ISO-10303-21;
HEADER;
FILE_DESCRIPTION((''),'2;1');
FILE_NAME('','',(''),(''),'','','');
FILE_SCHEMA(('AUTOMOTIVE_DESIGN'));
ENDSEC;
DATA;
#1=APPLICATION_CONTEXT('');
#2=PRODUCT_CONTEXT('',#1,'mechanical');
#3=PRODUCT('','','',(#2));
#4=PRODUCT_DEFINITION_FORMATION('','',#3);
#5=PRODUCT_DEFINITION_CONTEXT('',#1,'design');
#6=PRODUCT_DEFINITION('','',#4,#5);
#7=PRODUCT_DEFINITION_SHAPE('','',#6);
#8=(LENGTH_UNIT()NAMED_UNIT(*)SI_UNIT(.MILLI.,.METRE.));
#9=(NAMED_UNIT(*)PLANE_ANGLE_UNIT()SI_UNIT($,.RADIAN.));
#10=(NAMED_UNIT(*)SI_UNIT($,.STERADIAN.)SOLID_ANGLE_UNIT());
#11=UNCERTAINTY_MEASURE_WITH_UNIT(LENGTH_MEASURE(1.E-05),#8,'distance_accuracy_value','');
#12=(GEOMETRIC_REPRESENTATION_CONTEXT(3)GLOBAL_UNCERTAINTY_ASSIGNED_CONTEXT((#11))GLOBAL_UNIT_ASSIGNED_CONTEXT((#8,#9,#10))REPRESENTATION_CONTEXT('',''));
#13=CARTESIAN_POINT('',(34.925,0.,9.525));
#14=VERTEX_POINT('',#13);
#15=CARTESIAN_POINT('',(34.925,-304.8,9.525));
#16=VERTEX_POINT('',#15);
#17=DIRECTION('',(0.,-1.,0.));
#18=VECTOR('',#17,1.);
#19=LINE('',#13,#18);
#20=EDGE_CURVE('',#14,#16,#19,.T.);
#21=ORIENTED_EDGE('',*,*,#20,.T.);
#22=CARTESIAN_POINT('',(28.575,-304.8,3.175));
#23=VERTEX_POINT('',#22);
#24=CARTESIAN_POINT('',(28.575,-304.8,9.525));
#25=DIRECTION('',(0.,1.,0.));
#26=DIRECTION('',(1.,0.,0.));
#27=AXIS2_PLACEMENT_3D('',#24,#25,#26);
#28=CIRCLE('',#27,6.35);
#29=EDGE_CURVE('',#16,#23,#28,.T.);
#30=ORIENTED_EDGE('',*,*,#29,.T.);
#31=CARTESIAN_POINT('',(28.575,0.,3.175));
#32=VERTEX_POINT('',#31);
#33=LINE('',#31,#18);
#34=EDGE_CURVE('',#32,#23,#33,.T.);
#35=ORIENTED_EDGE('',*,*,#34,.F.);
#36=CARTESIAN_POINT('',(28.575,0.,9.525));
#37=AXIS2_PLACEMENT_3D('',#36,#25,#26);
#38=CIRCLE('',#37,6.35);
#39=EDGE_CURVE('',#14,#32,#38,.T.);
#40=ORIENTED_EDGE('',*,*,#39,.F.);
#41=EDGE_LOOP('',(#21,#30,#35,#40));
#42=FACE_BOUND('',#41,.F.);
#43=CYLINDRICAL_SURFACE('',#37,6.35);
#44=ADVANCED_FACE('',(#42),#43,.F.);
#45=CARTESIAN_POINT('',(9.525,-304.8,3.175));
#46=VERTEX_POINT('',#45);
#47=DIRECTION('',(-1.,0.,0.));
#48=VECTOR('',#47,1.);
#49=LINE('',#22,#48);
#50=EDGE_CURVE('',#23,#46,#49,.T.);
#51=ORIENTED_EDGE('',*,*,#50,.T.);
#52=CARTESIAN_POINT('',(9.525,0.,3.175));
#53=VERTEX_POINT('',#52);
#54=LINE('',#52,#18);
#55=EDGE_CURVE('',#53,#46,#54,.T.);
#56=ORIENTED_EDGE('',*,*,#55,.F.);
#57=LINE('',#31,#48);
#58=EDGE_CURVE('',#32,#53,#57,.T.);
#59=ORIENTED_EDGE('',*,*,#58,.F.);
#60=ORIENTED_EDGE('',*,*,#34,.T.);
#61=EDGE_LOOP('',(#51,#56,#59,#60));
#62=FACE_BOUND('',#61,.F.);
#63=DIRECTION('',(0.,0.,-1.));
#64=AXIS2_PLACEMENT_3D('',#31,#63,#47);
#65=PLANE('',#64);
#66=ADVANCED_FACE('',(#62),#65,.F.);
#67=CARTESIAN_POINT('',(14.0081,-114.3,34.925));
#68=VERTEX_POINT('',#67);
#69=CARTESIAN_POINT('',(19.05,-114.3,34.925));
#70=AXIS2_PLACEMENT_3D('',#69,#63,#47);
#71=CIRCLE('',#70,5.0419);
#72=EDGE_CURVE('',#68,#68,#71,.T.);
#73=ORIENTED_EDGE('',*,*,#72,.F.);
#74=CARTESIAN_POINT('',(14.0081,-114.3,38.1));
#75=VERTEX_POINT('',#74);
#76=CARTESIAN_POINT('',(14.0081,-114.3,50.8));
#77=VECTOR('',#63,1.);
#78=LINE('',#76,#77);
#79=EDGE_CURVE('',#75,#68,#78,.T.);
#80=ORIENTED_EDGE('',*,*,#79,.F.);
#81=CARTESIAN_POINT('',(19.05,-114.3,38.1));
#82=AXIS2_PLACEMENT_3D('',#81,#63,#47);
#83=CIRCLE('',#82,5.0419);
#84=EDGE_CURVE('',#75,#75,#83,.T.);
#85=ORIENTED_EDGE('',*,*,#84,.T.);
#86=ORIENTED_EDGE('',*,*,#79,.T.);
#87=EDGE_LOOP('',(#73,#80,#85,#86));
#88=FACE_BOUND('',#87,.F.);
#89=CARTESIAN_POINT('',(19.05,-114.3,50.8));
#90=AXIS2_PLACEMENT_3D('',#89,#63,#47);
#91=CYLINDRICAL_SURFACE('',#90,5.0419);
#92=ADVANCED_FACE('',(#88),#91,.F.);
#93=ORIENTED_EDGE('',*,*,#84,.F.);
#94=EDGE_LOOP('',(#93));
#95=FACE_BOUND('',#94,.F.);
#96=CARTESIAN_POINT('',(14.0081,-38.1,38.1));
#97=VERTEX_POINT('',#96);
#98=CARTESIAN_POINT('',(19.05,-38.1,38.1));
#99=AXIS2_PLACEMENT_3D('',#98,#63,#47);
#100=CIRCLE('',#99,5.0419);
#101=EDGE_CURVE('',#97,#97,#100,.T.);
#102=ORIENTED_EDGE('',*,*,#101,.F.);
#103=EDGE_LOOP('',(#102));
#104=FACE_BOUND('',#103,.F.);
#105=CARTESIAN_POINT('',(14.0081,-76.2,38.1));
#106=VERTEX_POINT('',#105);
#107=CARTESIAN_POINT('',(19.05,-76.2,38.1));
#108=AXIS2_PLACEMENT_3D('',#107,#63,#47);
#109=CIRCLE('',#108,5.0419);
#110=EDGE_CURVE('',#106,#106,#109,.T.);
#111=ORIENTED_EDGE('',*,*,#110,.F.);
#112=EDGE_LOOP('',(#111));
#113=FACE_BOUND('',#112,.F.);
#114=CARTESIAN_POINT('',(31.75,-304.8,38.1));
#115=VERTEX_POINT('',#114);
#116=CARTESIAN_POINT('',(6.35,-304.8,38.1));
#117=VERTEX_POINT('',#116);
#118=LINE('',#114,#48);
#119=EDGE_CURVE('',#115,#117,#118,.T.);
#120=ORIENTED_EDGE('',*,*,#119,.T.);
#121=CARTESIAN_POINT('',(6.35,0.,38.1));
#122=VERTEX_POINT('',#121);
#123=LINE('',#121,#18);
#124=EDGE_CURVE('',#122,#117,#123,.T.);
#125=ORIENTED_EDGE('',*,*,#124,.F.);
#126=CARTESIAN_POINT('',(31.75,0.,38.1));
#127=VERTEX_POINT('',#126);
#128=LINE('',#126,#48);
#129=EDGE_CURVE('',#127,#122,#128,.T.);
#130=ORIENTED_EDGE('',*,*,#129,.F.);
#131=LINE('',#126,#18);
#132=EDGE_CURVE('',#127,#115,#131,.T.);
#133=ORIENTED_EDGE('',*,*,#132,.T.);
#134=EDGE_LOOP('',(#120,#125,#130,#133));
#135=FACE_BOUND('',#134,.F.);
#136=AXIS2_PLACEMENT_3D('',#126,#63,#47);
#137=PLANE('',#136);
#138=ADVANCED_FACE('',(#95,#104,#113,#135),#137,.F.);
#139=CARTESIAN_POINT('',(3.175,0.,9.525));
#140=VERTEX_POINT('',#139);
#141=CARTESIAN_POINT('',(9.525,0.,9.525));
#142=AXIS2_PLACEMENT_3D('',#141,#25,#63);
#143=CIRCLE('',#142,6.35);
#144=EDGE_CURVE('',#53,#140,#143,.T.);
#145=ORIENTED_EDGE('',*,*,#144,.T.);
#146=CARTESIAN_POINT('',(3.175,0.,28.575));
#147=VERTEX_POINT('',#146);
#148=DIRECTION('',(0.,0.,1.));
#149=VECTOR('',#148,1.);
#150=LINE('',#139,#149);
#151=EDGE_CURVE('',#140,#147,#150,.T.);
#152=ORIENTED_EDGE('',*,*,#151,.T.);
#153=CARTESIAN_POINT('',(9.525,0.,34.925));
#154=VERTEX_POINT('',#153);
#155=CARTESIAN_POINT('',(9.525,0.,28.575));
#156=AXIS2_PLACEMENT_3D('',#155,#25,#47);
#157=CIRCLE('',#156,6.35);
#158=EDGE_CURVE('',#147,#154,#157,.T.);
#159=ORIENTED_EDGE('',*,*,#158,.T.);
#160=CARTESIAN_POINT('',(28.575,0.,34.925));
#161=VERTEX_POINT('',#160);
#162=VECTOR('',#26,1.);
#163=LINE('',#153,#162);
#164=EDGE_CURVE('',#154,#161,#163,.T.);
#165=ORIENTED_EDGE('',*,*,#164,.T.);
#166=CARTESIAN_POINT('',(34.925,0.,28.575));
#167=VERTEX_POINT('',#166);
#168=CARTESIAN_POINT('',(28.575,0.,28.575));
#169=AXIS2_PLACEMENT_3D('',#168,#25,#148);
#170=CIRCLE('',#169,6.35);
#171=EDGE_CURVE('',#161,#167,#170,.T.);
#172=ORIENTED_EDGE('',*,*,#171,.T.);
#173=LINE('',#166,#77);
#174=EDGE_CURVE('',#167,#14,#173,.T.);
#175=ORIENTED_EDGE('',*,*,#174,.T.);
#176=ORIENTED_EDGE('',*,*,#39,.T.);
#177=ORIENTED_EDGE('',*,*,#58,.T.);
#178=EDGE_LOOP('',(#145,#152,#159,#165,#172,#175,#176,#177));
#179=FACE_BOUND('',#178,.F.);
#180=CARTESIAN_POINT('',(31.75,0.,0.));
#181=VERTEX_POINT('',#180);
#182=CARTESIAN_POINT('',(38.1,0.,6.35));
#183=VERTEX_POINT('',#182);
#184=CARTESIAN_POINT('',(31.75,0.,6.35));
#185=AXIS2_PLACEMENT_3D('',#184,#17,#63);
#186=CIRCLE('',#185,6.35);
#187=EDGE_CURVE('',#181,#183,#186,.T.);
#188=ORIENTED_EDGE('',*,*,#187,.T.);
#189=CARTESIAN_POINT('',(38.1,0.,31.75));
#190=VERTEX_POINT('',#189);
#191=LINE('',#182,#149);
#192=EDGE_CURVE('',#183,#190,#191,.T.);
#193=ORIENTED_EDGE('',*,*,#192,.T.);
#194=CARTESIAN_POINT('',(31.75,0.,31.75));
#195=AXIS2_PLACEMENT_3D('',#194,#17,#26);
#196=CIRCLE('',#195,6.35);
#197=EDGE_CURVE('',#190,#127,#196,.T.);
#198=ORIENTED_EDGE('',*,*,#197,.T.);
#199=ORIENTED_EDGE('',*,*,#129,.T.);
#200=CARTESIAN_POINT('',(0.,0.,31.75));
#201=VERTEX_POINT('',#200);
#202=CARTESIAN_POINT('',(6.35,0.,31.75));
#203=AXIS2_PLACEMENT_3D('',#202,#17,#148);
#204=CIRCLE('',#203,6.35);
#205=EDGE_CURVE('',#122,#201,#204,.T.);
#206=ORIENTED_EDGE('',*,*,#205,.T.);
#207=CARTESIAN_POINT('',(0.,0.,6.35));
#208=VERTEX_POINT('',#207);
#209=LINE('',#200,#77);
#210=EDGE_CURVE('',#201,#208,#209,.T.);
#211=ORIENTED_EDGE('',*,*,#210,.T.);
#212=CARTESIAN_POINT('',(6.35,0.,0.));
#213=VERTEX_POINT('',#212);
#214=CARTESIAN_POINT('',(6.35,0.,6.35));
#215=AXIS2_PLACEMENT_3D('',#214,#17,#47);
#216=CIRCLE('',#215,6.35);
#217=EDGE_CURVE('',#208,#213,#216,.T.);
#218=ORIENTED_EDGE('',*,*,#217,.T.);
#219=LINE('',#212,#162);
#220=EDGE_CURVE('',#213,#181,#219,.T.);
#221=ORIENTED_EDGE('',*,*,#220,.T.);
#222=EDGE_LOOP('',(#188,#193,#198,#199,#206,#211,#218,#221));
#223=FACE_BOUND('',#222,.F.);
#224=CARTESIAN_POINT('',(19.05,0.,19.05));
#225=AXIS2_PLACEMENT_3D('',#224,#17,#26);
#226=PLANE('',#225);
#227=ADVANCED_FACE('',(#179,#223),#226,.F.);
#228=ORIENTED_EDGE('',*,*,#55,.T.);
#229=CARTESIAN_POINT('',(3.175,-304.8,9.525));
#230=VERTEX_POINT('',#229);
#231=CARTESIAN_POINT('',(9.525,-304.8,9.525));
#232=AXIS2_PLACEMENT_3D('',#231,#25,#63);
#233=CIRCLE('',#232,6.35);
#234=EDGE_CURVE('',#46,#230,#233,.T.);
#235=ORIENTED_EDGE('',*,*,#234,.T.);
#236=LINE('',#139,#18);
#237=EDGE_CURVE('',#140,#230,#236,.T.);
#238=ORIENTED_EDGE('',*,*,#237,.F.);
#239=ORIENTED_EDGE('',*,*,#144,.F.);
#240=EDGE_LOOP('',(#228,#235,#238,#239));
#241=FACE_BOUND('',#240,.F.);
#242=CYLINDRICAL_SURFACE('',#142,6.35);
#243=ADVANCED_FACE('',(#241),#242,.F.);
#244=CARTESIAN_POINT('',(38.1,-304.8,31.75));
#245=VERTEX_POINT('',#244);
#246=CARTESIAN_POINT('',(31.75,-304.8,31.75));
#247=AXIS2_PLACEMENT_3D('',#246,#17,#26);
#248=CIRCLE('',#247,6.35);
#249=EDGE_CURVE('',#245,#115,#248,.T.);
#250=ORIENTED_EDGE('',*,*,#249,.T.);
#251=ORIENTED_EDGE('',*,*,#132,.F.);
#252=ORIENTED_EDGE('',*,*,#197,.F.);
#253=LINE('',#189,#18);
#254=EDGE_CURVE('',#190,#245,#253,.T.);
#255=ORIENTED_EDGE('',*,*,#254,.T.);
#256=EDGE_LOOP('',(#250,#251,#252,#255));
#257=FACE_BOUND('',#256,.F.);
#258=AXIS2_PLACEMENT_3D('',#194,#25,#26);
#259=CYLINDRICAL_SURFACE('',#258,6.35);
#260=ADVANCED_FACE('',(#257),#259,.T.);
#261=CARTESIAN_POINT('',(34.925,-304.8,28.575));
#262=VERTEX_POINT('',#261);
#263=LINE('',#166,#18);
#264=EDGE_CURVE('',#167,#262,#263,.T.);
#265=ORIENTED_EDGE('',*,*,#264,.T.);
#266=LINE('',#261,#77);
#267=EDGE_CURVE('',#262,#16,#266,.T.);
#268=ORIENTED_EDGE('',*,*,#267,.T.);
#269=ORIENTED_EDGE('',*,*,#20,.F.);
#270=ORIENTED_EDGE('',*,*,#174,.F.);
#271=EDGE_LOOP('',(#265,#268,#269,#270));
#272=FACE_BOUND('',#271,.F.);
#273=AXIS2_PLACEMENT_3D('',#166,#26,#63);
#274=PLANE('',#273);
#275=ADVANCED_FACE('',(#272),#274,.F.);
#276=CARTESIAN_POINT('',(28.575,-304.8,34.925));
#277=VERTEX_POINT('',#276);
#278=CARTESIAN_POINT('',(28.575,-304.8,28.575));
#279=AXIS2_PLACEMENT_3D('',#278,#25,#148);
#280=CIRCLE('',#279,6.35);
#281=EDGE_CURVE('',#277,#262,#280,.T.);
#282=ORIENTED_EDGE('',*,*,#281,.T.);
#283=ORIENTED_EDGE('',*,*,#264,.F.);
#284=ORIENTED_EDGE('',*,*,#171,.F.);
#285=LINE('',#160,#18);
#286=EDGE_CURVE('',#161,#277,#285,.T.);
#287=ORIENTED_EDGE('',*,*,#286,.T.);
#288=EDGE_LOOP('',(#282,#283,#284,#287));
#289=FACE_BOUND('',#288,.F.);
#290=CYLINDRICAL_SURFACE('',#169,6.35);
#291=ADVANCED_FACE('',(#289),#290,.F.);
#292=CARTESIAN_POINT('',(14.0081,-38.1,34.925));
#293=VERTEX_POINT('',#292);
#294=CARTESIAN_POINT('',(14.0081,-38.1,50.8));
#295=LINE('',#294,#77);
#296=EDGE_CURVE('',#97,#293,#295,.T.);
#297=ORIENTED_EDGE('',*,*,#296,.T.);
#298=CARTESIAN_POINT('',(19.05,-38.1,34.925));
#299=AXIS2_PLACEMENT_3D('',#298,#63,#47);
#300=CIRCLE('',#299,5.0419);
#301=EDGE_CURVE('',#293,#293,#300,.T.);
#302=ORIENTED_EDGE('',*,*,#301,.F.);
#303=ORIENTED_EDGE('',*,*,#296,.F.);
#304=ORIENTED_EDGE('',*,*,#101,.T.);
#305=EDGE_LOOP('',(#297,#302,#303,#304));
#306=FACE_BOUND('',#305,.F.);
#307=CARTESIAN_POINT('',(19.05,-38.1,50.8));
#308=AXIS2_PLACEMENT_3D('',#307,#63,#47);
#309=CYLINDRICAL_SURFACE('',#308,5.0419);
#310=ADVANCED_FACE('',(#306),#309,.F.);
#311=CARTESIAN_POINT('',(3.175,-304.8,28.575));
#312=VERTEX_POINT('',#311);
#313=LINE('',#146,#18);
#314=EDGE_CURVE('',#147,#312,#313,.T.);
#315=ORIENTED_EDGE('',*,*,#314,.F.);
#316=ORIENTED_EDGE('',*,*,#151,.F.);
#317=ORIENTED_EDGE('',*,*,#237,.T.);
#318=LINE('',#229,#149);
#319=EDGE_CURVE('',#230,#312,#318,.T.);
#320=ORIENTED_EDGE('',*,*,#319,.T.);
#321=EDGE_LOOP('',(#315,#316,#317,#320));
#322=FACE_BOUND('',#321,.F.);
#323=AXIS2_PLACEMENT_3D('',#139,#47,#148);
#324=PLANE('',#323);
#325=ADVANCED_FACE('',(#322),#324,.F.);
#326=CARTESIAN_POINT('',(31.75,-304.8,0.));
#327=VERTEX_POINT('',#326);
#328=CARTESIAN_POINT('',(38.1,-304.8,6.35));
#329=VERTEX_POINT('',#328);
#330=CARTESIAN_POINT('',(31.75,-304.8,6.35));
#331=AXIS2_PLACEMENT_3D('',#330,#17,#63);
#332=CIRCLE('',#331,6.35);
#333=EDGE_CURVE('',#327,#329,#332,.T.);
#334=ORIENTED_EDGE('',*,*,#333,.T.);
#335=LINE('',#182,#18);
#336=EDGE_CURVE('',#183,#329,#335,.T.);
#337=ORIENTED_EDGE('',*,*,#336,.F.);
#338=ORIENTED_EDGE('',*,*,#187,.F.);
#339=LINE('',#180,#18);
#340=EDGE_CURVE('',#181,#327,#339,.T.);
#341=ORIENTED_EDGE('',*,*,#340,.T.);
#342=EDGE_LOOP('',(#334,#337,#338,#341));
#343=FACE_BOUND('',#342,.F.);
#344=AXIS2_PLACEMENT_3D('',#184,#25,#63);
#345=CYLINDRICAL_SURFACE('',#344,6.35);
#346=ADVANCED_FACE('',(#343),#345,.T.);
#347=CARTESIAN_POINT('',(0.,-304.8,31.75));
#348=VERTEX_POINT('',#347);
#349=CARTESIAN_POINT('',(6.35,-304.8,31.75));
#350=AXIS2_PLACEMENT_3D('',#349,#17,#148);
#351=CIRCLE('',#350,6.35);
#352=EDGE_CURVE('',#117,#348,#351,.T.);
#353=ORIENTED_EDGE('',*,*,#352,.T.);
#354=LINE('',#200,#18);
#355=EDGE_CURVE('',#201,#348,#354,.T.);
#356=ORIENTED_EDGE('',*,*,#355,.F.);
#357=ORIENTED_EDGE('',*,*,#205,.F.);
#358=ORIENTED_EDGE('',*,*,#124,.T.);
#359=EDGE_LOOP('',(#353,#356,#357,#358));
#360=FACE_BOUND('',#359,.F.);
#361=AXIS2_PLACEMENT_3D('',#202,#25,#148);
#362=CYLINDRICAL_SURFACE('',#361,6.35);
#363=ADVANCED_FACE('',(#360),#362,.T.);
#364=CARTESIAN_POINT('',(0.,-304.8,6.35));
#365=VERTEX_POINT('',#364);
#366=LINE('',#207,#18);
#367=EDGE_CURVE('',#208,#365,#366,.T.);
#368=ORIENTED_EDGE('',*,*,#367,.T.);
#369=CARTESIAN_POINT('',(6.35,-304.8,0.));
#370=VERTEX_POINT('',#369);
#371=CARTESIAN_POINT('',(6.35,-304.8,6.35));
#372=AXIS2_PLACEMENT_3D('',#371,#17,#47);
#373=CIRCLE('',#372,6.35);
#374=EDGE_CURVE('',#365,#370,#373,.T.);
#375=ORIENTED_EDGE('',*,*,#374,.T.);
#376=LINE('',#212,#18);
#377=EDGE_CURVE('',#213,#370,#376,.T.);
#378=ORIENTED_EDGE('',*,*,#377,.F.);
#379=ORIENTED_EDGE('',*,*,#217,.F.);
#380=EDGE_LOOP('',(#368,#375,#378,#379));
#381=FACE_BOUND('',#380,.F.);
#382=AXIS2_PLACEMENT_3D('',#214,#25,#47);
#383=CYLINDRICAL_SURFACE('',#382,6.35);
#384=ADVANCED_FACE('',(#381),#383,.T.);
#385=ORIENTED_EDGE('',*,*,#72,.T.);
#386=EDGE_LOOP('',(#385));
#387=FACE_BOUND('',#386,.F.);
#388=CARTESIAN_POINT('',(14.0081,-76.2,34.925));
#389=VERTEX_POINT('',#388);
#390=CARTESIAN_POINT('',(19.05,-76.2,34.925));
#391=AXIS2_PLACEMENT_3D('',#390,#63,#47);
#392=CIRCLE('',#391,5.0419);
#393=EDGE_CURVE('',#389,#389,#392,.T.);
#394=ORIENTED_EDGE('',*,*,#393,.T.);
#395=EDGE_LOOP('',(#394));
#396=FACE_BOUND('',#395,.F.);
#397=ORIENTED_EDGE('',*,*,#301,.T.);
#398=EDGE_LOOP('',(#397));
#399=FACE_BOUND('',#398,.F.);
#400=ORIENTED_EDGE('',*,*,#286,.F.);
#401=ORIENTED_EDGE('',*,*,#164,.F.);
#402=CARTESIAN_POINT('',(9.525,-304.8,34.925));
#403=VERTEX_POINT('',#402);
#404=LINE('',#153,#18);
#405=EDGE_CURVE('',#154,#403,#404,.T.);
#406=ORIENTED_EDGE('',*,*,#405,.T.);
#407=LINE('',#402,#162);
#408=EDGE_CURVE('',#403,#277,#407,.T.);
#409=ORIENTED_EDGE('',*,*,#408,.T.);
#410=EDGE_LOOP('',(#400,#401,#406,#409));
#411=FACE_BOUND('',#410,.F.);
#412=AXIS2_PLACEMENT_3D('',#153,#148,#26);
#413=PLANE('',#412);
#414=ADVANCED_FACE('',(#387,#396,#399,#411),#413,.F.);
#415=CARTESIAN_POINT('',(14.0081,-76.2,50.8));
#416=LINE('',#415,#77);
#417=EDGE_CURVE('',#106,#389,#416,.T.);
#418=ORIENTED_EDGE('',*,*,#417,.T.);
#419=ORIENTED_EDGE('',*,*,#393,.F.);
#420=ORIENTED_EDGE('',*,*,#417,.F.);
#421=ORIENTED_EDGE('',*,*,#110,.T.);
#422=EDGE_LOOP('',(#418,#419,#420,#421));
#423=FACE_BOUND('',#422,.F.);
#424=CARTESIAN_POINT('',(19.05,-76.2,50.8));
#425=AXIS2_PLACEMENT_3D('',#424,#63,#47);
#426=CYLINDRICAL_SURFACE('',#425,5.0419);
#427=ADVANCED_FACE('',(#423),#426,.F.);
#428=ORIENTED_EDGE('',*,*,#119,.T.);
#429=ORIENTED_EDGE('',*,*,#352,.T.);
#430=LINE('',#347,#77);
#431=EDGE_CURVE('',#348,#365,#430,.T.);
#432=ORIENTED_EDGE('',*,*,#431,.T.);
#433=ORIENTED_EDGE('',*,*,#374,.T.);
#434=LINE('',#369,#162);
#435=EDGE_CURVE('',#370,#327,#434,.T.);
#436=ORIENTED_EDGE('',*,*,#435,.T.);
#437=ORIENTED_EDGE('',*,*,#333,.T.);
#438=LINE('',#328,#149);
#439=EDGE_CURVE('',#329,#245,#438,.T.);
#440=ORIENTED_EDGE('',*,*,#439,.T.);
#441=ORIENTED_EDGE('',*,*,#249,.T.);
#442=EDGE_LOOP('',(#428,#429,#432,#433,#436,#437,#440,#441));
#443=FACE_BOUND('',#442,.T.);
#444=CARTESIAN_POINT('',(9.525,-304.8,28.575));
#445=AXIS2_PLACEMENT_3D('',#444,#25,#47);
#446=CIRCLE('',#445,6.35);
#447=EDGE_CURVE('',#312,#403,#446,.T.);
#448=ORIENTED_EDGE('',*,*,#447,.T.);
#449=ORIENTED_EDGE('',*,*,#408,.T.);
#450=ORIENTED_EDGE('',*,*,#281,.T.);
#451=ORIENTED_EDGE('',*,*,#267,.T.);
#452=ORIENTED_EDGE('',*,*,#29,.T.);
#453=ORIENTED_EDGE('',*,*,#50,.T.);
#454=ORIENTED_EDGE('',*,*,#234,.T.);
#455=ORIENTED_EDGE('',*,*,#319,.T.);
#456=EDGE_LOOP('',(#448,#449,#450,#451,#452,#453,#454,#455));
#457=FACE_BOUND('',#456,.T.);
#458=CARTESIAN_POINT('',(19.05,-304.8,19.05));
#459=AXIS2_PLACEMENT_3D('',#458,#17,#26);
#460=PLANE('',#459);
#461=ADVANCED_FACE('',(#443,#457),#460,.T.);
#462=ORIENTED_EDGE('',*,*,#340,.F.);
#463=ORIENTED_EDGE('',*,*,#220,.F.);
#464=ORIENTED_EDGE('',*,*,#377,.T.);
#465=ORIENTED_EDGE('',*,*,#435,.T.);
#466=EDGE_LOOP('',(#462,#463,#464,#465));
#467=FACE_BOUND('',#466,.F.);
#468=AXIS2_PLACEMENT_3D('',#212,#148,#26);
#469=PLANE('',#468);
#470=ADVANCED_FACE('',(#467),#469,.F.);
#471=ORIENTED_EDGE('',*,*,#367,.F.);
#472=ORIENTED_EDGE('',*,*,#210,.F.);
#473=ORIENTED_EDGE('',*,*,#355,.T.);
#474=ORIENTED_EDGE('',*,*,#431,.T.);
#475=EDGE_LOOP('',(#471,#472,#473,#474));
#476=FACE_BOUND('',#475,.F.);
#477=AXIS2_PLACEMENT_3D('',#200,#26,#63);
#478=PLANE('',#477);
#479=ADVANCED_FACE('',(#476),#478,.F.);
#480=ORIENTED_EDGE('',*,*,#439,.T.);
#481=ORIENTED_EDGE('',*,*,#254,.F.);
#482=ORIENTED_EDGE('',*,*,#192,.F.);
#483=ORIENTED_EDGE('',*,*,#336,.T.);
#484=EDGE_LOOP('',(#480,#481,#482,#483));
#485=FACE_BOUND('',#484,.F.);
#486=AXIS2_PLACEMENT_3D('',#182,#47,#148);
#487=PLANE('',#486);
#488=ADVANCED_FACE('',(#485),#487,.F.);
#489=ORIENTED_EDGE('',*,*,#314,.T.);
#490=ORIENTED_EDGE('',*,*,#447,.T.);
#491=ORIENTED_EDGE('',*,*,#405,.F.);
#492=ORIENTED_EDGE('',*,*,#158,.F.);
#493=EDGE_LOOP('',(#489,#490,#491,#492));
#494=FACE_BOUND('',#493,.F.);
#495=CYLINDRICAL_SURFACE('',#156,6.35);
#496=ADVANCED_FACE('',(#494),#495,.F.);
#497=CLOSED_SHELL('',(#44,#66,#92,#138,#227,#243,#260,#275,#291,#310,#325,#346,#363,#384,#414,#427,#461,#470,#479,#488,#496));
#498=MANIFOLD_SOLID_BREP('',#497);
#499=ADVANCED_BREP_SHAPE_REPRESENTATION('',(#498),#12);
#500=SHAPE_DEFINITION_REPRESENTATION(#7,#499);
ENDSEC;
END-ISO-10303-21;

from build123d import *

# Parameters (mm, degrees)
F1_DEPTH = 304.8
F3_D     = 10.0838
F3_DEPTH = 12.7
F3_TIP   = 3.0294791551


with BuildPart() as f1:
    # F0 (on Front) → F1 (new body)
    with BuildSketch(Plane.XZ):
        with BuildLine():
            ThreePointArc((0, 6.35), (1.8598719395, 1.8598719395), (6.35, 0))
            Line((6.35, 0), (31.75, 0))
            ThreePointArc((31.75, 0), (36.2401280605, 1.8598719395), (38.1, 6.35))
            Line((38.1, 6.35), (38.1, 31.75))
            ThreePointArc((38.1, 31.75), (36.2401280605, 36.2401280605), (31.75, 38.1))
            Line((31.75, 38.1), (6.35, 38.1))
            ThreePointArc((6.35, 38.1), (1.8598719395, 36.2401280605), (0, 31.75))
            Line((0, 31.75), (0, 6.35))
        make_face()
        with BuildLine():
            Line((28.575, 3.175), (9.525, 3.175))
            ThreePointArc((9.525, 3.175), (5.0348719395, 5.0348719395), (3.175, 9.525))
            Line((3.175, 9.525), (3.175, 28.575))
            ThreePointArc((3.175, 28.575), (5.0348719395, 33.0651280605), (9.525, 34.925))
            Line((9.525, 34.925), (28.575, 34.925))
            ThreePointArc((28.575, 34.925), (33.0651280605, 33.0651280605), (34.925, 28.575))
            Line((34.925, 28.575), (34.925, 9.525))
            ThreePointArc((34.925, 9.525), (33.0651280605, 5.0348719395), (28.575, 3.175))
        make_face(mode=Mode.SUBTRACT)
    extrude(amount=F1_DEPTH)

    # F3
    with Locations(Plane.XY.offset(38.1)):
        with Locations((19.05, -38.1), (19.05, -76.2), (19.05, -114.3)):
            Hole(F3_D / 2, depth=F3_DEPTH)
            with Locations((0, 0, -(F3_DEPTH + F3_TIP / 2))):  # 118° drill point
                Cone(0, F3_D / 2, F3_TIP, mode=Mode.SUBTRACT)


solid = f1.part
